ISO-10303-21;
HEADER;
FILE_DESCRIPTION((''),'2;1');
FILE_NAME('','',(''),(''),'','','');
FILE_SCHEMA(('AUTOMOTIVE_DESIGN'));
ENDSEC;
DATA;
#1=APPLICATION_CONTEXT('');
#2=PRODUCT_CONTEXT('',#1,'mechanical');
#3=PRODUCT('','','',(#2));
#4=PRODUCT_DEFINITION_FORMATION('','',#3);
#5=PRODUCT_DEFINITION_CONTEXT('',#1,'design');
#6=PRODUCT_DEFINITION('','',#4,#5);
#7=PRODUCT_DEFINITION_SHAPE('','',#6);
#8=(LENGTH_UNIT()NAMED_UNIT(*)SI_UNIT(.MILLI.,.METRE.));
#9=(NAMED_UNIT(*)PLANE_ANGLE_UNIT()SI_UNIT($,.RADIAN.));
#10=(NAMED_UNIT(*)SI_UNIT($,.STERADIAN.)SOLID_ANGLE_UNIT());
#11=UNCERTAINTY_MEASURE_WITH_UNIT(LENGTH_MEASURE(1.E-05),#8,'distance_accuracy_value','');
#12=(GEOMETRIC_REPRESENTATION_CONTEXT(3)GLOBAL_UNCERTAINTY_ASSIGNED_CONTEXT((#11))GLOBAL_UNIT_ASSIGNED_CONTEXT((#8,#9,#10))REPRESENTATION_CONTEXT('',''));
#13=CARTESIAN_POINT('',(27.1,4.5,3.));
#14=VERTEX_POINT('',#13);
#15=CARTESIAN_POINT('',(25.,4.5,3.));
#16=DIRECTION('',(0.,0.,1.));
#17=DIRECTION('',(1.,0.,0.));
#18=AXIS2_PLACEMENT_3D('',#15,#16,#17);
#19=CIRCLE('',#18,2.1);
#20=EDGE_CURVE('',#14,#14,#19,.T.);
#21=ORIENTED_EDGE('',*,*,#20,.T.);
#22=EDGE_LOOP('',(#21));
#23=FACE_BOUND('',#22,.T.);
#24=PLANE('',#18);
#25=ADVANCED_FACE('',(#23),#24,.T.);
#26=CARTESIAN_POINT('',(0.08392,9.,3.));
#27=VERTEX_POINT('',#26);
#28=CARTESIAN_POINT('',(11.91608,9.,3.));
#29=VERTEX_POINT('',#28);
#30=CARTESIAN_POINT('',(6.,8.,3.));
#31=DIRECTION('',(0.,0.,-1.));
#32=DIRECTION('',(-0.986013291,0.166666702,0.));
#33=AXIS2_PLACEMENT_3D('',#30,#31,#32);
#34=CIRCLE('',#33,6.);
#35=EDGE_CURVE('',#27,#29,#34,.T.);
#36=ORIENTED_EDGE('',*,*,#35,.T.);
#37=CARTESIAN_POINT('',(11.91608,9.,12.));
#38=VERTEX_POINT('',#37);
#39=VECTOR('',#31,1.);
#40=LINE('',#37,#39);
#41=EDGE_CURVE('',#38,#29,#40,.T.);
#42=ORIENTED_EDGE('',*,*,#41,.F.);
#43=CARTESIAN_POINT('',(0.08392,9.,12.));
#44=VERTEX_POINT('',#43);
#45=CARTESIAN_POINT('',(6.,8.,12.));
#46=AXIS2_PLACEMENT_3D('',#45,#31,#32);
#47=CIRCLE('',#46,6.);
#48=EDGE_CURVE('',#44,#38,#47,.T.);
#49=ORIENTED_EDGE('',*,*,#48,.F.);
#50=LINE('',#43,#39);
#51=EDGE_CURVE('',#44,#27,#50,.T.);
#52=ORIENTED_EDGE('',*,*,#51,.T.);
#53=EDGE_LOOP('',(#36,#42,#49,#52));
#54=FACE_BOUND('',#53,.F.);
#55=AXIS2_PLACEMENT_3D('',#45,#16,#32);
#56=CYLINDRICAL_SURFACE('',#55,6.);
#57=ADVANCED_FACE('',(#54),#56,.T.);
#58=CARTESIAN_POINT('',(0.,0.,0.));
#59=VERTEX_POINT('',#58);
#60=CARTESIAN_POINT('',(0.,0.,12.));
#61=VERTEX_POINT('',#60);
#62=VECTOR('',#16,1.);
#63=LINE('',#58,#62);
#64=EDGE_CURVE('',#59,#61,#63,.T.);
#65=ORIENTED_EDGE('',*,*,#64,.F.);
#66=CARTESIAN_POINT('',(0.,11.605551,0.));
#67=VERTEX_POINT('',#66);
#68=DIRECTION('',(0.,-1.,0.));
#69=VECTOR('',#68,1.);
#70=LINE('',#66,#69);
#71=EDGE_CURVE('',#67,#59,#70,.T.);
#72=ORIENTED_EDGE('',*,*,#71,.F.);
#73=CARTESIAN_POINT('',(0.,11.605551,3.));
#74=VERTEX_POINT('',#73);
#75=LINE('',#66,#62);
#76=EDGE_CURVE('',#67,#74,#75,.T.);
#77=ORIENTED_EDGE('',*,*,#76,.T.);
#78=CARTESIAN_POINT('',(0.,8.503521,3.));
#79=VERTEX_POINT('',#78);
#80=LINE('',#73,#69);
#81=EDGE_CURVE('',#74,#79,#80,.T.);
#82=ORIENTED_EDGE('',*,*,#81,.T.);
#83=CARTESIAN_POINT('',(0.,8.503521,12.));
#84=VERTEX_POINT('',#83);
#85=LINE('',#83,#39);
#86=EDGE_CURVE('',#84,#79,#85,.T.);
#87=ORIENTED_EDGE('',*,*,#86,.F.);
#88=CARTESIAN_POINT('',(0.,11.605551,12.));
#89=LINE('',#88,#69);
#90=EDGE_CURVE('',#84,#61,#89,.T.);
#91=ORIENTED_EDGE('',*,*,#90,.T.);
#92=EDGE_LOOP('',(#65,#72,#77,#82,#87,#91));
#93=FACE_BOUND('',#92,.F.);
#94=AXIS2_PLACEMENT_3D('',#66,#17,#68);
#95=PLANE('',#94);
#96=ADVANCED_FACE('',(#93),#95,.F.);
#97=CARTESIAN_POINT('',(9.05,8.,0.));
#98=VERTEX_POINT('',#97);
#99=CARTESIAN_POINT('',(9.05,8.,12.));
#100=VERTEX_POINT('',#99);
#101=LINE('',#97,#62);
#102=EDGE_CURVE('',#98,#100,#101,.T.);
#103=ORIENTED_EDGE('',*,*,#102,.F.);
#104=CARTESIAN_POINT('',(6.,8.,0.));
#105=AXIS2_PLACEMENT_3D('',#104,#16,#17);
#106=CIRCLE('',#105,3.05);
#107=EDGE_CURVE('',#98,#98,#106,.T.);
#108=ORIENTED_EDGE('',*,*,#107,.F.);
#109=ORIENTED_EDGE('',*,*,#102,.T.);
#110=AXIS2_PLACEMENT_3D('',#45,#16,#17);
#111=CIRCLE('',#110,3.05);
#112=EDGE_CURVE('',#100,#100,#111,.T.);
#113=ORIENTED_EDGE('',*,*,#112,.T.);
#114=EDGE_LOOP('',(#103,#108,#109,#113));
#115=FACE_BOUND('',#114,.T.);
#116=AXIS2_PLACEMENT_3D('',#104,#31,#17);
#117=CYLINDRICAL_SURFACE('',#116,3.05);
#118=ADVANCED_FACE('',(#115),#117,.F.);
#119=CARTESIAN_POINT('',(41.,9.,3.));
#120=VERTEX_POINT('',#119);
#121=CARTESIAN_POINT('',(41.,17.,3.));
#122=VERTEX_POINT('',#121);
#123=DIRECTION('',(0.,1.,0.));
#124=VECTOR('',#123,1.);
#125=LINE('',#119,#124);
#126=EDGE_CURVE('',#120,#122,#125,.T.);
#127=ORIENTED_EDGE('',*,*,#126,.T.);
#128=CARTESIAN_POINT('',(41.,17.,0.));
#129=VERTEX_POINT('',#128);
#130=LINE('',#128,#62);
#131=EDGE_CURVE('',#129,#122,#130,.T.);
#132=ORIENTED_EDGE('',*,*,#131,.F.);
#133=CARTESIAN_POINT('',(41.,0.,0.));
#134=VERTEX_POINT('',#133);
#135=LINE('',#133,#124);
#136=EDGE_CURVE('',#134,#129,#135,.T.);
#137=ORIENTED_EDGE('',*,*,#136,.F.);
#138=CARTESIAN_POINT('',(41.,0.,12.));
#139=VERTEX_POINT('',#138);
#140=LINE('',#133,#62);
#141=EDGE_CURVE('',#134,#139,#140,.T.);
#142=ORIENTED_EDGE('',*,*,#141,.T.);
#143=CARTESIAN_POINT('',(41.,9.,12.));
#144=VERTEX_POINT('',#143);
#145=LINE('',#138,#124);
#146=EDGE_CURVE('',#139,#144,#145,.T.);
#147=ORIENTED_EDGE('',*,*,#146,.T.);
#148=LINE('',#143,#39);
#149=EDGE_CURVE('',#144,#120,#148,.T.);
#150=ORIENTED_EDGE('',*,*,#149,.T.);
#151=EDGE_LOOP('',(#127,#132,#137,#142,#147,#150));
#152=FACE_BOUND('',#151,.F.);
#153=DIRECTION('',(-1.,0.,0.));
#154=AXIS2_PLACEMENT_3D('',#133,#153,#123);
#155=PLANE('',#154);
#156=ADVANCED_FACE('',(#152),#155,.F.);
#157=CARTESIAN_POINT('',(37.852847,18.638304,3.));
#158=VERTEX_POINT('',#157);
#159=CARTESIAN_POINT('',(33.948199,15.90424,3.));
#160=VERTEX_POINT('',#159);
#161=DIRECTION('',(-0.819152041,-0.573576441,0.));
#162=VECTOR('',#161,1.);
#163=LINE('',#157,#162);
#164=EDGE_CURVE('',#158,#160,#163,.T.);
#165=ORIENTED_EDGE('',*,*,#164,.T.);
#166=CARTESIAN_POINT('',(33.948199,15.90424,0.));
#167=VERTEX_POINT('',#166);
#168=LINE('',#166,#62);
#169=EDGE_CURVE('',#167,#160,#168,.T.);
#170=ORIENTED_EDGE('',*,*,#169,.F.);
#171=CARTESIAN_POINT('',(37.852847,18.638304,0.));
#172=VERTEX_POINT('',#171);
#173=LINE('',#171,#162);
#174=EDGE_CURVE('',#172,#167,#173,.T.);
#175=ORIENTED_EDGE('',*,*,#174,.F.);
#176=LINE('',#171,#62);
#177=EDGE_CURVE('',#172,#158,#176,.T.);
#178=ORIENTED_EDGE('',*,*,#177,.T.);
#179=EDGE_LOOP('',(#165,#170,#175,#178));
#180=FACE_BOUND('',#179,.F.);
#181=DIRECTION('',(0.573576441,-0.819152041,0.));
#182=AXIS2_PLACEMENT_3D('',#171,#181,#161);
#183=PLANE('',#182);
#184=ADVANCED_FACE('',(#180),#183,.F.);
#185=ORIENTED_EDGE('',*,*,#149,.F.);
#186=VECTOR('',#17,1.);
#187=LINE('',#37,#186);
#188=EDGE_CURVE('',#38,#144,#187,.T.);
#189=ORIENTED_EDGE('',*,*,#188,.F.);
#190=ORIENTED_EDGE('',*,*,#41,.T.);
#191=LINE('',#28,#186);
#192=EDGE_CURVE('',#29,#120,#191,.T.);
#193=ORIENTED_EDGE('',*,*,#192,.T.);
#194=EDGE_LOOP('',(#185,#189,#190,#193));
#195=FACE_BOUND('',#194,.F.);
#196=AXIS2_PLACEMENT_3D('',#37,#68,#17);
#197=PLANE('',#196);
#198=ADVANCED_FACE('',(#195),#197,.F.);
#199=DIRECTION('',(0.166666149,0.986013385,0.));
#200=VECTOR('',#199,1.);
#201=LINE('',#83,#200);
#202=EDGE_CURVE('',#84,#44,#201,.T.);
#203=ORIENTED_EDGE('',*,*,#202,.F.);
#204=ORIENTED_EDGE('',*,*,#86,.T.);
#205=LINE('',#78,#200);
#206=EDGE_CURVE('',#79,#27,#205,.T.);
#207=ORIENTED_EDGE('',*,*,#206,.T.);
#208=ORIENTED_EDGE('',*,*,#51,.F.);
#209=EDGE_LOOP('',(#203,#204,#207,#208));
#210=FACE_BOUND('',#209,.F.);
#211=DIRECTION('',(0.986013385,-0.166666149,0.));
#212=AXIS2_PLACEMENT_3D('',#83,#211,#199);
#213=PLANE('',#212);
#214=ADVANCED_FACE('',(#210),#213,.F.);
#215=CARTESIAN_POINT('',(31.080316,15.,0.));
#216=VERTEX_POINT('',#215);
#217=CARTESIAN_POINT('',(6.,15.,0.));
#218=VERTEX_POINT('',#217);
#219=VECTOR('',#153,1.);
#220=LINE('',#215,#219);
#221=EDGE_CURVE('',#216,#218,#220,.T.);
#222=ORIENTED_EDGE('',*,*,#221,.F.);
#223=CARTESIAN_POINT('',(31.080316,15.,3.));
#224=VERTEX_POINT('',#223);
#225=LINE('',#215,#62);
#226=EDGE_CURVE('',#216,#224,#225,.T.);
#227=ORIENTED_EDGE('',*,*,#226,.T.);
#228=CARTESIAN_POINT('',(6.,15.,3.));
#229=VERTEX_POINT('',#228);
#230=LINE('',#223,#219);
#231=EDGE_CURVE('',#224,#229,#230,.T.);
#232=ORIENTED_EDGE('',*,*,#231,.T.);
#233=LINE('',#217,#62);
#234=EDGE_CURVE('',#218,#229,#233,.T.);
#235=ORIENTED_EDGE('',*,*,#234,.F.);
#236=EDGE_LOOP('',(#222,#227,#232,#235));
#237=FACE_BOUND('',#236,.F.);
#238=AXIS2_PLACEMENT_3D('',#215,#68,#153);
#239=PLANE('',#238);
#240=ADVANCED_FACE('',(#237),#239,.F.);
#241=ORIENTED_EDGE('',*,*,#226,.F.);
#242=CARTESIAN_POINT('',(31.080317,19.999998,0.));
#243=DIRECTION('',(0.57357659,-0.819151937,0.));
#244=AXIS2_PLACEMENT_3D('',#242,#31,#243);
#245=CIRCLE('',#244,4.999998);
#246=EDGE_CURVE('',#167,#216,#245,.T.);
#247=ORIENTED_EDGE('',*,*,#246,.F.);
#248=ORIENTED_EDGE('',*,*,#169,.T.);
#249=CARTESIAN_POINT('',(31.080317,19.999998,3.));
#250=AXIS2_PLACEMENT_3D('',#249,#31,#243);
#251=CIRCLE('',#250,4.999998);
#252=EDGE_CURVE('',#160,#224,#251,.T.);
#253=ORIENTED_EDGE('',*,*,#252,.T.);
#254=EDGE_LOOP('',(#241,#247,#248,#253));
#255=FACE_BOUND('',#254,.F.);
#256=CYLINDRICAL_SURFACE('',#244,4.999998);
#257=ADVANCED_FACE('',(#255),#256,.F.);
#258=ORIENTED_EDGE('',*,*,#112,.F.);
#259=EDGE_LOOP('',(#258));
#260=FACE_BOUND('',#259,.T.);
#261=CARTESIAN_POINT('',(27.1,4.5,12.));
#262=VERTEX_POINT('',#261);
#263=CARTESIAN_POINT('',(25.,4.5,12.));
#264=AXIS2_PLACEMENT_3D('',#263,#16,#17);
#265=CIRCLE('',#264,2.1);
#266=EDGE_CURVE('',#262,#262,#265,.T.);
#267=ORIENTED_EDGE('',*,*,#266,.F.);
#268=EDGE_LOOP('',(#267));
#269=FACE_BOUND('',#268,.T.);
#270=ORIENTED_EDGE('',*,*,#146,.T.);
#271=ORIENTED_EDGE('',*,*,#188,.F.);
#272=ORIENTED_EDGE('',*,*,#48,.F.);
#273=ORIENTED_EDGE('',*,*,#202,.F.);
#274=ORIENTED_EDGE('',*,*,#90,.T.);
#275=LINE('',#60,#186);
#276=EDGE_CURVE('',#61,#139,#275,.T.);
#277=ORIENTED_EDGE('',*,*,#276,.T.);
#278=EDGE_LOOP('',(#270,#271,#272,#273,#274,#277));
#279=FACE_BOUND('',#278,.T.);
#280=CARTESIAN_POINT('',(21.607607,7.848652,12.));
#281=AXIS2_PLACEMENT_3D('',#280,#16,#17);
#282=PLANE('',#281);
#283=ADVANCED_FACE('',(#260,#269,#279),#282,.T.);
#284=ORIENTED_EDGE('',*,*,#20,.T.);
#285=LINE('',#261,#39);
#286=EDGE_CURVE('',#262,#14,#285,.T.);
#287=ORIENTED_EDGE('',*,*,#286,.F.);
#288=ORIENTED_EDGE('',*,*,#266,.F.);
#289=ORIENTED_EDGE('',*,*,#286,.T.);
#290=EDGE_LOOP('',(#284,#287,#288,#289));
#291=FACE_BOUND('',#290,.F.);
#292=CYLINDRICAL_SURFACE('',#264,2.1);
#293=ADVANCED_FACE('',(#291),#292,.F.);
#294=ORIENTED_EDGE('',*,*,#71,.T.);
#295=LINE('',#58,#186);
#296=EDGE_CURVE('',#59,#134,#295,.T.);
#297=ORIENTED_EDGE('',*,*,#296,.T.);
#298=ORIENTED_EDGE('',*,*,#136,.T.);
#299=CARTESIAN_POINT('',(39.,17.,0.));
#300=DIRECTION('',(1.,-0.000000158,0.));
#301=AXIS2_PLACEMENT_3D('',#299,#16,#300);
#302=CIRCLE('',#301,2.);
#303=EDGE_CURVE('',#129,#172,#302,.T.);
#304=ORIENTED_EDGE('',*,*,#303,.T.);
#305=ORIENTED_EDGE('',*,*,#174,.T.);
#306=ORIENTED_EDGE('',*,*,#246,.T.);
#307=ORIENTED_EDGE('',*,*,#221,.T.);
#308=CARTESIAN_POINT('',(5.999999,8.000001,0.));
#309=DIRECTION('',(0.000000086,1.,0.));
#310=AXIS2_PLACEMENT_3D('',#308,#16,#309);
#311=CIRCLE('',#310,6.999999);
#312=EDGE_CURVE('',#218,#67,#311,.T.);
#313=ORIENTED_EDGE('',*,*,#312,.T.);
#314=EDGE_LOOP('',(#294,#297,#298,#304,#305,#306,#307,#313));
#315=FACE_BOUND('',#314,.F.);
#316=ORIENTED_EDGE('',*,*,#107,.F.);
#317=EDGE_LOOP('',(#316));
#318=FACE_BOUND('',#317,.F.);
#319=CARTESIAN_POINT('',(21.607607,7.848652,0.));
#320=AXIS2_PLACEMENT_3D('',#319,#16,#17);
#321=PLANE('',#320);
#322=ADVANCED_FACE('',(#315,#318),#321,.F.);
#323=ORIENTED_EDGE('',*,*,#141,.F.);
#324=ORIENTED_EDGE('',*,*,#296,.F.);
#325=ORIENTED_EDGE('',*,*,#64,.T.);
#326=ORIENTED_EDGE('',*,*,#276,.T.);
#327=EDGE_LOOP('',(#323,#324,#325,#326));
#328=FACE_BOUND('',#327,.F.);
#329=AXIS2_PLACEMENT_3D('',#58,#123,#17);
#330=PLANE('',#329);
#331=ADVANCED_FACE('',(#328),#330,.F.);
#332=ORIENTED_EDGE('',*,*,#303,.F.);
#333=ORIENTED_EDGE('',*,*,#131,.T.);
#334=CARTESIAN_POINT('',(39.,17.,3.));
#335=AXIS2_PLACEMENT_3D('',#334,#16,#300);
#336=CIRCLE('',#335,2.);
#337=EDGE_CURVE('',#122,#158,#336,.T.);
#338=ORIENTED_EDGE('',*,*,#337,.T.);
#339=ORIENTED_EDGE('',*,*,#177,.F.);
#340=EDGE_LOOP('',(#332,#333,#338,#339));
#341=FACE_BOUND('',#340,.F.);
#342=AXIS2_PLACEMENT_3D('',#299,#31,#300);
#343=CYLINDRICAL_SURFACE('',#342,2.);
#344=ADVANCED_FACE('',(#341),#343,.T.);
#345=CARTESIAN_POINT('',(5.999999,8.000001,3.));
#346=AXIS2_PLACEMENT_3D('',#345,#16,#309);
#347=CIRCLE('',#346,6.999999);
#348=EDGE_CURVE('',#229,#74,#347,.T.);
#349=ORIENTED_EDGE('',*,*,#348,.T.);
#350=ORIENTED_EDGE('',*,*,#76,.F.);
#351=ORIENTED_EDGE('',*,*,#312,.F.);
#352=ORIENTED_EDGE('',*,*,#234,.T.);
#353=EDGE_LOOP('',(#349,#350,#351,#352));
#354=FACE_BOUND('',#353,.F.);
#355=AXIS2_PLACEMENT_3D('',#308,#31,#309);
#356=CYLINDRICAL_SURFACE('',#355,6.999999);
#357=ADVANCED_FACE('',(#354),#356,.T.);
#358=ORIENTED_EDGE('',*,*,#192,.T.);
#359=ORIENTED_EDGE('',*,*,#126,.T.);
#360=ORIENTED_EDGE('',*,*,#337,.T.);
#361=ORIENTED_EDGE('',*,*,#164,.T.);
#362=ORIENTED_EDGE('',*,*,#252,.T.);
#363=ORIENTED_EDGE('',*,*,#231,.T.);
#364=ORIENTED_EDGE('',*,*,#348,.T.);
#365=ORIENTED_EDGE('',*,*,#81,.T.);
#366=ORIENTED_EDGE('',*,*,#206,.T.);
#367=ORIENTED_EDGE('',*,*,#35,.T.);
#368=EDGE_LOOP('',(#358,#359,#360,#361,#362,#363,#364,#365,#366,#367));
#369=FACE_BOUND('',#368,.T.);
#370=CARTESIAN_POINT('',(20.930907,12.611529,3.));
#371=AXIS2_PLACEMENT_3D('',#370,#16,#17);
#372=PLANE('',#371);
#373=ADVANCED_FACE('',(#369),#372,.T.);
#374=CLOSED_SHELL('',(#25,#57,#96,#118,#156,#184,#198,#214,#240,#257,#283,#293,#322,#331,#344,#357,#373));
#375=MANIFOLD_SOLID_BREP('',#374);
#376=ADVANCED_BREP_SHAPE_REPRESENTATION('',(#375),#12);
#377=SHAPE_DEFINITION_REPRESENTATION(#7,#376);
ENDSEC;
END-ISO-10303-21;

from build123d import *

# Parameters (mm, degrees)
F0_R     = 3.05
F1_DEPTH = 12
F2_R     = 2.1
F3_DEPTH = 9


with BuildPart() as f1:
    # F0 (on Top) → F1 (new body)
    with BuildSketch(Plane.XY):
        with BuildLine():
            Line((0, 11.605551), (0, 0))
            Line((0, 0), (41, 0))
            Line((41, 0), (41, 15))
            Line((41, 15), (41, 17))
            ThreePointArc((41, 17), (39.923497, 18.774022), (37.852847, 18.638304))
            Line((37.852847, 18.638304), (33.948199, 15.90424))
            ThreePointArc((33.948199, 15.90424), (32.583845, 15.231415), (31.080316, 15))
            Line((31.080316, 15), (6, 15))
            ThreePointArc((6, 15), (2.55318, 14.092572), (0, 11.605551))
        make_face()
        with Locations((6, 8)):
            Circle(F0_R, mode=Mode.SUBTRACT)
    extrude(amount=F1_DEPTH)

    # F2 (on face) → F3 (cut)
    with BuildSketch(Plane.XY.offset(12)):
        with BuildLine():
            Line((11.91608, 9), (41, 9))
            Line((41, 9), (41, 17))
            ThreePointArc((41, 17), (39.923497, 18.774022), (37.852847, 18.638304))
            Line((37.852847, 18.638304), (33.948199, 15.90424))
            ThreePointArc((33.948199, 15.90424), (32.583845, 15.231415), (31.080316, 15))
            Line((31.080316, 15), (6, 15))
            ThreePointArc((6, 15), (2.55318, 14.092572), (0, 11.605551))
            Line((0, 11.605551), (0, 8.503521))
            Line((0, 8.503521), (0.08392, 9))
            ThreePointArc((0.08392, 9), (6, 14), (11.91608, 9))
        make_face()
        with Locations((25, 4.5)):
            Circle(F2_R)
    extrude(amount=-F3_DEPTH, mode=Mode.SUBTRACT)


solid = f1.part
